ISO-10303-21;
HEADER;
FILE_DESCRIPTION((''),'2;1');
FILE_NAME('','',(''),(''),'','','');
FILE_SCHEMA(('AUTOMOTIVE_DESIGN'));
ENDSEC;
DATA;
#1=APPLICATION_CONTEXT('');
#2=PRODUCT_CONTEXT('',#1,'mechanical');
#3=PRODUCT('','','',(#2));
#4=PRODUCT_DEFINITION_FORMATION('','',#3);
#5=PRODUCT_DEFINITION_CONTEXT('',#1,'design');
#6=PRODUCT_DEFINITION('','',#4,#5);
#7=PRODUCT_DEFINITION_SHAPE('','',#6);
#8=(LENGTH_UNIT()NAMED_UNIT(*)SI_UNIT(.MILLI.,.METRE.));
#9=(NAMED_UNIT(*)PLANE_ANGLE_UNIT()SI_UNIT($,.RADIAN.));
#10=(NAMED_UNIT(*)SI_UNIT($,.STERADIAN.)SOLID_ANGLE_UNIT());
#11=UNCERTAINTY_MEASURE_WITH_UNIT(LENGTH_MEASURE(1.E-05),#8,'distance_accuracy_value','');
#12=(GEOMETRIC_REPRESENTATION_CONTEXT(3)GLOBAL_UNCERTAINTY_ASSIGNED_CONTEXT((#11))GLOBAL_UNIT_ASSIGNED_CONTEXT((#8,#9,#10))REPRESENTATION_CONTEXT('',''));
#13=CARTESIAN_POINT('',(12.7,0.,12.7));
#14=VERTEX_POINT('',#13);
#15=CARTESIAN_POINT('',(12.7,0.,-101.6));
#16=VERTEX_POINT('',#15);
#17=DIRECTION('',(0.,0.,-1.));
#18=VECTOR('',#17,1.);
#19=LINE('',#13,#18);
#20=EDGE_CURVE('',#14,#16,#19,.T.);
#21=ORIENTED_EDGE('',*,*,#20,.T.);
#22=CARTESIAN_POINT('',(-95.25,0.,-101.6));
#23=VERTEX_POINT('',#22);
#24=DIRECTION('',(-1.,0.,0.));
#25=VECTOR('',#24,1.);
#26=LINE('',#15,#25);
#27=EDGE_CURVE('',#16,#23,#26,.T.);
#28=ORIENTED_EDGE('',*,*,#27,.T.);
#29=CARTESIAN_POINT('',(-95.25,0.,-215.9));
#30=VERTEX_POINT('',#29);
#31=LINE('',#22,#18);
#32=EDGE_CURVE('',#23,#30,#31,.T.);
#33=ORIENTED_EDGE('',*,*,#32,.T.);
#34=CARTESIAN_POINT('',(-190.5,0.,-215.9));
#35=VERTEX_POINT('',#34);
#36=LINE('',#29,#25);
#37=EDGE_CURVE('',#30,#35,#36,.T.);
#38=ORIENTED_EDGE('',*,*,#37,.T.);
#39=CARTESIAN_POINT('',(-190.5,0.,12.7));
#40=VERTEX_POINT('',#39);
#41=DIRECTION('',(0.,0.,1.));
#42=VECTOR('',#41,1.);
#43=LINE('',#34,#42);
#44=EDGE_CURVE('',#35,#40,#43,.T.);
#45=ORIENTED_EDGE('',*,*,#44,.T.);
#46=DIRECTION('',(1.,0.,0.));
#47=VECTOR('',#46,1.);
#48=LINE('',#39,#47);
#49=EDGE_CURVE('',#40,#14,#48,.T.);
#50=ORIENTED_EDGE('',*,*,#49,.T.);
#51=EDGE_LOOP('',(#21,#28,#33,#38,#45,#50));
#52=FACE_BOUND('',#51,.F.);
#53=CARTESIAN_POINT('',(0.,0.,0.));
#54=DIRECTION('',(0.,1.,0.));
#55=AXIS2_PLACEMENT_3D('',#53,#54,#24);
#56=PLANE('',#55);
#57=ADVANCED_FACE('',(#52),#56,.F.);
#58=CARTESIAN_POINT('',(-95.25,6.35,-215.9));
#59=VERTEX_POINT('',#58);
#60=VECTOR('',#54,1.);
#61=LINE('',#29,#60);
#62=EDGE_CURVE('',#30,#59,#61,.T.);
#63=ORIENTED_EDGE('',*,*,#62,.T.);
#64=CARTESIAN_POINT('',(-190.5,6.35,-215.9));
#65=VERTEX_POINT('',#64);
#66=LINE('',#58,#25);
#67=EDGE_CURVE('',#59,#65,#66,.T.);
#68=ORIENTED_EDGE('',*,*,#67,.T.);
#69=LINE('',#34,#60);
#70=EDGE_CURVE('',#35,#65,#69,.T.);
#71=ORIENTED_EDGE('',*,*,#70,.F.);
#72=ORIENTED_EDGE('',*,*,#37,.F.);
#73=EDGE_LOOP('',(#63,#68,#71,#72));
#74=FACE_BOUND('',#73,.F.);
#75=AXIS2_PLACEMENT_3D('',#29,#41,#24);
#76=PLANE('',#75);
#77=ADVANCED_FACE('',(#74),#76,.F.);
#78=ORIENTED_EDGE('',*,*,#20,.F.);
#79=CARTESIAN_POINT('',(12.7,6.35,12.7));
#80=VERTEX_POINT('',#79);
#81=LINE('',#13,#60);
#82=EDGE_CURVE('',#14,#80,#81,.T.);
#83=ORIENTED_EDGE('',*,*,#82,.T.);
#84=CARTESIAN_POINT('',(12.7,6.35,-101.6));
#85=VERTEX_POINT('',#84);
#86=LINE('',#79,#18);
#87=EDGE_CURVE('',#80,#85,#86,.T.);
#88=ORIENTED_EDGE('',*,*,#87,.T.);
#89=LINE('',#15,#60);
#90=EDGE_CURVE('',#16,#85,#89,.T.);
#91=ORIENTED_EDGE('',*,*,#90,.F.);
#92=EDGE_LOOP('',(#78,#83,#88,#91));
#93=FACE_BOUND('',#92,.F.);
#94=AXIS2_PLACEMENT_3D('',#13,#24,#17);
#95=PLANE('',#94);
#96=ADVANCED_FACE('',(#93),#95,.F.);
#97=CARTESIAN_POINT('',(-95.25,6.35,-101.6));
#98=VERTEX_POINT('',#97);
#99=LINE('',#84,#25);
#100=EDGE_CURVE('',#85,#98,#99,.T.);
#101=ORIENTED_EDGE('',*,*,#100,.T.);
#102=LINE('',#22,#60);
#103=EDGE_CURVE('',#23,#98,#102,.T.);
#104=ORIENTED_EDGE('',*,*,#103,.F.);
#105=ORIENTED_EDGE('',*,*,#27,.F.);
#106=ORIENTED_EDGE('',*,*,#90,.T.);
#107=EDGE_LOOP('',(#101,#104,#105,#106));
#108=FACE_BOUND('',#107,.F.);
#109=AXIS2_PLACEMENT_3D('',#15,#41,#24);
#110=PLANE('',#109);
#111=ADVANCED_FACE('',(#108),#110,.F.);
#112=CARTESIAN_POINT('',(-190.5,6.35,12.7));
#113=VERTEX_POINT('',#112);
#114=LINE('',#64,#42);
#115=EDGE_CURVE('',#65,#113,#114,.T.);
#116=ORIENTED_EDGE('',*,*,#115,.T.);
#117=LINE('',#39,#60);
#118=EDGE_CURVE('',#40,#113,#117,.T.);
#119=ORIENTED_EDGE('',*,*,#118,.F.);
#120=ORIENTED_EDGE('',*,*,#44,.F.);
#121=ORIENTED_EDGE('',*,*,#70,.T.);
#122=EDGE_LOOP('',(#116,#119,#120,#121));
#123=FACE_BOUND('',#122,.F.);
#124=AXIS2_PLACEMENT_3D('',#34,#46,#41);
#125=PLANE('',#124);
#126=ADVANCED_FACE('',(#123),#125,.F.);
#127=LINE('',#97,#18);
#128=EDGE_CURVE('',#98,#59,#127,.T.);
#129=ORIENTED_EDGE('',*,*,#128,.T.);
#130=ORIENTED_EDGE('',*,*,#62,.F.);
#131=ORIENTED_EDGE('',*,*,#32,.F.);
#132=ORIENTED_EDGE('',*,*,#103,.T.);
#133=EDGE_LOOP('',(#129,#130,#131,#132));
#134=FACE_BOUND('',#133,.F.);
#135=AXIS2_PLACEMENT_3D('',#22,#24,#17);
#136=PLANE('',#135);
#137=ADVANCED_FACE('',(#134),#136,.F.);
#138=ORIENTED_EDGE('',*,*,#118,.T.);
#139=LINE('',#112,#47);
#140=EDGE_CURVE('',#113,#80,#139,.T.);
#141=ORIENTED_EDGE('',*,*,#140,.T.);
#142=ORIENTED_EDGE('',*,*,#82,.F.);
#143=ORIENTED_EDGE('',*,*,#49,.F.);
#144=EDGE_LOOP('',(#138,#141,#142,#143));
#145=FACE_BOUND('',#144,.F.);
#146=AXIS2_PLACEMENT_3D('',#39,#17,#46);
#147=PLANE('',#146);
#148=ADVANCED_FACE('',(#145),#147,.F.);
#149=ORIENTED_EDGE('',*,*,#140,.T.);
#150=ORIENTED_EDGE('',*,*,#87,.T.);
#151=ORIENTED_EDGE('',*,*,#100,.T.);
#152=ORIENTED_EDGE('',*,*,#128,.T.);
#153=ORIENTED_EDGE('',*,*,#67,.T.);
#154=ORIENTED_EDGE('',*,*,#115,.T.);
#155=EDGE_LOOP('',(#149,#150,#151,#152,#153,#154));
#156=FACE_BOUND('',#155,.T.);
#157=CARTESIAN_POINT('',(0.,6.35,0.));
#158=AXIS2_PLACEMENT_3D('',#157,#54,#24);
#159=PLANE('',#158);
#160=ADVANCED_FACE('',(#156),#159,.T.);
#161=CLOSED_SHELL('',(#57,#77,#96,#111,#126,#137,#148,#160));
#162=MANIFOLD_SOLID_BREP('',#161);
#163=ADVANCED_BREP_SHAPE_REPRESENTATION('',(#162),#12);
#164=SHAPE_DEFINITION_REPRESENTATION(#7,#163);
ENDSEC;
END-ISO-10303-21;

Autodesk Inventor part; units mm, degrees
ref_plane "YZ Plane" through (0, 0, 0) normal (1, 0, 0) x (0, 1, 0)
ref_plane "XZ Plane" through (0, 0, 0) normal (0, 1, 0) x (-1, 0, 0)
ref_plane "XY Plane" through (0, 0, 0) normal (0, 0, 1) x (1, 0, 0)
sketch "Sketch1" plane through (0, 0, 0) normal (0, 1, 0) x (-1, 0, 0)
  point P0 (0, 0)
sketch "Sketch2" plane through (0, 0, 0) normal (0, 1, 0) x (-1, 0, 0)
  line L0 (0, 0) -> (177.8, 0)
  line L1 (177.8, 0) -> (177.8, -203.2)
  line L2 (0, 0) -> (0, -88.9)
  line L3 (177.8, -203.2) -> (107.95, -203.2)
  line L4 (107.95, -203.2) -> (107.95, -88.9)
  line L5 (0, -88.9) -> (107.95, -88.9)
  line L6 (190.5, -215.9) -> (190.5, 12.7)
  line L7 (190.5, 12.7) -> (-12.7, 12.7)
  line L8 (-12.7, 12.7) -> (-12.7, -101.6)
  line L9 (-12.7, -101.6) -> (95.25, -101.6)
  line L10 (95.25, -101.6) -> (95.25, -215.9)
  line L11 (95.25, -215.9) -> (190.5, -215.9)
  dimension "d0" = 203.2
  dimension "d1" = 177.8
  dimension "d2" = 88.9
  dimension "d3" = 69.85
  dimension "d4" = 12.7
extrude "Extrusion1" add sketch "Sketch2" along normal blind 6.35 contours L0 L1 L3 L4 L5 L2 | L11 L10 L9 L8 L7 L6
properties part number "RSX top" material "Aluminum 6061"
